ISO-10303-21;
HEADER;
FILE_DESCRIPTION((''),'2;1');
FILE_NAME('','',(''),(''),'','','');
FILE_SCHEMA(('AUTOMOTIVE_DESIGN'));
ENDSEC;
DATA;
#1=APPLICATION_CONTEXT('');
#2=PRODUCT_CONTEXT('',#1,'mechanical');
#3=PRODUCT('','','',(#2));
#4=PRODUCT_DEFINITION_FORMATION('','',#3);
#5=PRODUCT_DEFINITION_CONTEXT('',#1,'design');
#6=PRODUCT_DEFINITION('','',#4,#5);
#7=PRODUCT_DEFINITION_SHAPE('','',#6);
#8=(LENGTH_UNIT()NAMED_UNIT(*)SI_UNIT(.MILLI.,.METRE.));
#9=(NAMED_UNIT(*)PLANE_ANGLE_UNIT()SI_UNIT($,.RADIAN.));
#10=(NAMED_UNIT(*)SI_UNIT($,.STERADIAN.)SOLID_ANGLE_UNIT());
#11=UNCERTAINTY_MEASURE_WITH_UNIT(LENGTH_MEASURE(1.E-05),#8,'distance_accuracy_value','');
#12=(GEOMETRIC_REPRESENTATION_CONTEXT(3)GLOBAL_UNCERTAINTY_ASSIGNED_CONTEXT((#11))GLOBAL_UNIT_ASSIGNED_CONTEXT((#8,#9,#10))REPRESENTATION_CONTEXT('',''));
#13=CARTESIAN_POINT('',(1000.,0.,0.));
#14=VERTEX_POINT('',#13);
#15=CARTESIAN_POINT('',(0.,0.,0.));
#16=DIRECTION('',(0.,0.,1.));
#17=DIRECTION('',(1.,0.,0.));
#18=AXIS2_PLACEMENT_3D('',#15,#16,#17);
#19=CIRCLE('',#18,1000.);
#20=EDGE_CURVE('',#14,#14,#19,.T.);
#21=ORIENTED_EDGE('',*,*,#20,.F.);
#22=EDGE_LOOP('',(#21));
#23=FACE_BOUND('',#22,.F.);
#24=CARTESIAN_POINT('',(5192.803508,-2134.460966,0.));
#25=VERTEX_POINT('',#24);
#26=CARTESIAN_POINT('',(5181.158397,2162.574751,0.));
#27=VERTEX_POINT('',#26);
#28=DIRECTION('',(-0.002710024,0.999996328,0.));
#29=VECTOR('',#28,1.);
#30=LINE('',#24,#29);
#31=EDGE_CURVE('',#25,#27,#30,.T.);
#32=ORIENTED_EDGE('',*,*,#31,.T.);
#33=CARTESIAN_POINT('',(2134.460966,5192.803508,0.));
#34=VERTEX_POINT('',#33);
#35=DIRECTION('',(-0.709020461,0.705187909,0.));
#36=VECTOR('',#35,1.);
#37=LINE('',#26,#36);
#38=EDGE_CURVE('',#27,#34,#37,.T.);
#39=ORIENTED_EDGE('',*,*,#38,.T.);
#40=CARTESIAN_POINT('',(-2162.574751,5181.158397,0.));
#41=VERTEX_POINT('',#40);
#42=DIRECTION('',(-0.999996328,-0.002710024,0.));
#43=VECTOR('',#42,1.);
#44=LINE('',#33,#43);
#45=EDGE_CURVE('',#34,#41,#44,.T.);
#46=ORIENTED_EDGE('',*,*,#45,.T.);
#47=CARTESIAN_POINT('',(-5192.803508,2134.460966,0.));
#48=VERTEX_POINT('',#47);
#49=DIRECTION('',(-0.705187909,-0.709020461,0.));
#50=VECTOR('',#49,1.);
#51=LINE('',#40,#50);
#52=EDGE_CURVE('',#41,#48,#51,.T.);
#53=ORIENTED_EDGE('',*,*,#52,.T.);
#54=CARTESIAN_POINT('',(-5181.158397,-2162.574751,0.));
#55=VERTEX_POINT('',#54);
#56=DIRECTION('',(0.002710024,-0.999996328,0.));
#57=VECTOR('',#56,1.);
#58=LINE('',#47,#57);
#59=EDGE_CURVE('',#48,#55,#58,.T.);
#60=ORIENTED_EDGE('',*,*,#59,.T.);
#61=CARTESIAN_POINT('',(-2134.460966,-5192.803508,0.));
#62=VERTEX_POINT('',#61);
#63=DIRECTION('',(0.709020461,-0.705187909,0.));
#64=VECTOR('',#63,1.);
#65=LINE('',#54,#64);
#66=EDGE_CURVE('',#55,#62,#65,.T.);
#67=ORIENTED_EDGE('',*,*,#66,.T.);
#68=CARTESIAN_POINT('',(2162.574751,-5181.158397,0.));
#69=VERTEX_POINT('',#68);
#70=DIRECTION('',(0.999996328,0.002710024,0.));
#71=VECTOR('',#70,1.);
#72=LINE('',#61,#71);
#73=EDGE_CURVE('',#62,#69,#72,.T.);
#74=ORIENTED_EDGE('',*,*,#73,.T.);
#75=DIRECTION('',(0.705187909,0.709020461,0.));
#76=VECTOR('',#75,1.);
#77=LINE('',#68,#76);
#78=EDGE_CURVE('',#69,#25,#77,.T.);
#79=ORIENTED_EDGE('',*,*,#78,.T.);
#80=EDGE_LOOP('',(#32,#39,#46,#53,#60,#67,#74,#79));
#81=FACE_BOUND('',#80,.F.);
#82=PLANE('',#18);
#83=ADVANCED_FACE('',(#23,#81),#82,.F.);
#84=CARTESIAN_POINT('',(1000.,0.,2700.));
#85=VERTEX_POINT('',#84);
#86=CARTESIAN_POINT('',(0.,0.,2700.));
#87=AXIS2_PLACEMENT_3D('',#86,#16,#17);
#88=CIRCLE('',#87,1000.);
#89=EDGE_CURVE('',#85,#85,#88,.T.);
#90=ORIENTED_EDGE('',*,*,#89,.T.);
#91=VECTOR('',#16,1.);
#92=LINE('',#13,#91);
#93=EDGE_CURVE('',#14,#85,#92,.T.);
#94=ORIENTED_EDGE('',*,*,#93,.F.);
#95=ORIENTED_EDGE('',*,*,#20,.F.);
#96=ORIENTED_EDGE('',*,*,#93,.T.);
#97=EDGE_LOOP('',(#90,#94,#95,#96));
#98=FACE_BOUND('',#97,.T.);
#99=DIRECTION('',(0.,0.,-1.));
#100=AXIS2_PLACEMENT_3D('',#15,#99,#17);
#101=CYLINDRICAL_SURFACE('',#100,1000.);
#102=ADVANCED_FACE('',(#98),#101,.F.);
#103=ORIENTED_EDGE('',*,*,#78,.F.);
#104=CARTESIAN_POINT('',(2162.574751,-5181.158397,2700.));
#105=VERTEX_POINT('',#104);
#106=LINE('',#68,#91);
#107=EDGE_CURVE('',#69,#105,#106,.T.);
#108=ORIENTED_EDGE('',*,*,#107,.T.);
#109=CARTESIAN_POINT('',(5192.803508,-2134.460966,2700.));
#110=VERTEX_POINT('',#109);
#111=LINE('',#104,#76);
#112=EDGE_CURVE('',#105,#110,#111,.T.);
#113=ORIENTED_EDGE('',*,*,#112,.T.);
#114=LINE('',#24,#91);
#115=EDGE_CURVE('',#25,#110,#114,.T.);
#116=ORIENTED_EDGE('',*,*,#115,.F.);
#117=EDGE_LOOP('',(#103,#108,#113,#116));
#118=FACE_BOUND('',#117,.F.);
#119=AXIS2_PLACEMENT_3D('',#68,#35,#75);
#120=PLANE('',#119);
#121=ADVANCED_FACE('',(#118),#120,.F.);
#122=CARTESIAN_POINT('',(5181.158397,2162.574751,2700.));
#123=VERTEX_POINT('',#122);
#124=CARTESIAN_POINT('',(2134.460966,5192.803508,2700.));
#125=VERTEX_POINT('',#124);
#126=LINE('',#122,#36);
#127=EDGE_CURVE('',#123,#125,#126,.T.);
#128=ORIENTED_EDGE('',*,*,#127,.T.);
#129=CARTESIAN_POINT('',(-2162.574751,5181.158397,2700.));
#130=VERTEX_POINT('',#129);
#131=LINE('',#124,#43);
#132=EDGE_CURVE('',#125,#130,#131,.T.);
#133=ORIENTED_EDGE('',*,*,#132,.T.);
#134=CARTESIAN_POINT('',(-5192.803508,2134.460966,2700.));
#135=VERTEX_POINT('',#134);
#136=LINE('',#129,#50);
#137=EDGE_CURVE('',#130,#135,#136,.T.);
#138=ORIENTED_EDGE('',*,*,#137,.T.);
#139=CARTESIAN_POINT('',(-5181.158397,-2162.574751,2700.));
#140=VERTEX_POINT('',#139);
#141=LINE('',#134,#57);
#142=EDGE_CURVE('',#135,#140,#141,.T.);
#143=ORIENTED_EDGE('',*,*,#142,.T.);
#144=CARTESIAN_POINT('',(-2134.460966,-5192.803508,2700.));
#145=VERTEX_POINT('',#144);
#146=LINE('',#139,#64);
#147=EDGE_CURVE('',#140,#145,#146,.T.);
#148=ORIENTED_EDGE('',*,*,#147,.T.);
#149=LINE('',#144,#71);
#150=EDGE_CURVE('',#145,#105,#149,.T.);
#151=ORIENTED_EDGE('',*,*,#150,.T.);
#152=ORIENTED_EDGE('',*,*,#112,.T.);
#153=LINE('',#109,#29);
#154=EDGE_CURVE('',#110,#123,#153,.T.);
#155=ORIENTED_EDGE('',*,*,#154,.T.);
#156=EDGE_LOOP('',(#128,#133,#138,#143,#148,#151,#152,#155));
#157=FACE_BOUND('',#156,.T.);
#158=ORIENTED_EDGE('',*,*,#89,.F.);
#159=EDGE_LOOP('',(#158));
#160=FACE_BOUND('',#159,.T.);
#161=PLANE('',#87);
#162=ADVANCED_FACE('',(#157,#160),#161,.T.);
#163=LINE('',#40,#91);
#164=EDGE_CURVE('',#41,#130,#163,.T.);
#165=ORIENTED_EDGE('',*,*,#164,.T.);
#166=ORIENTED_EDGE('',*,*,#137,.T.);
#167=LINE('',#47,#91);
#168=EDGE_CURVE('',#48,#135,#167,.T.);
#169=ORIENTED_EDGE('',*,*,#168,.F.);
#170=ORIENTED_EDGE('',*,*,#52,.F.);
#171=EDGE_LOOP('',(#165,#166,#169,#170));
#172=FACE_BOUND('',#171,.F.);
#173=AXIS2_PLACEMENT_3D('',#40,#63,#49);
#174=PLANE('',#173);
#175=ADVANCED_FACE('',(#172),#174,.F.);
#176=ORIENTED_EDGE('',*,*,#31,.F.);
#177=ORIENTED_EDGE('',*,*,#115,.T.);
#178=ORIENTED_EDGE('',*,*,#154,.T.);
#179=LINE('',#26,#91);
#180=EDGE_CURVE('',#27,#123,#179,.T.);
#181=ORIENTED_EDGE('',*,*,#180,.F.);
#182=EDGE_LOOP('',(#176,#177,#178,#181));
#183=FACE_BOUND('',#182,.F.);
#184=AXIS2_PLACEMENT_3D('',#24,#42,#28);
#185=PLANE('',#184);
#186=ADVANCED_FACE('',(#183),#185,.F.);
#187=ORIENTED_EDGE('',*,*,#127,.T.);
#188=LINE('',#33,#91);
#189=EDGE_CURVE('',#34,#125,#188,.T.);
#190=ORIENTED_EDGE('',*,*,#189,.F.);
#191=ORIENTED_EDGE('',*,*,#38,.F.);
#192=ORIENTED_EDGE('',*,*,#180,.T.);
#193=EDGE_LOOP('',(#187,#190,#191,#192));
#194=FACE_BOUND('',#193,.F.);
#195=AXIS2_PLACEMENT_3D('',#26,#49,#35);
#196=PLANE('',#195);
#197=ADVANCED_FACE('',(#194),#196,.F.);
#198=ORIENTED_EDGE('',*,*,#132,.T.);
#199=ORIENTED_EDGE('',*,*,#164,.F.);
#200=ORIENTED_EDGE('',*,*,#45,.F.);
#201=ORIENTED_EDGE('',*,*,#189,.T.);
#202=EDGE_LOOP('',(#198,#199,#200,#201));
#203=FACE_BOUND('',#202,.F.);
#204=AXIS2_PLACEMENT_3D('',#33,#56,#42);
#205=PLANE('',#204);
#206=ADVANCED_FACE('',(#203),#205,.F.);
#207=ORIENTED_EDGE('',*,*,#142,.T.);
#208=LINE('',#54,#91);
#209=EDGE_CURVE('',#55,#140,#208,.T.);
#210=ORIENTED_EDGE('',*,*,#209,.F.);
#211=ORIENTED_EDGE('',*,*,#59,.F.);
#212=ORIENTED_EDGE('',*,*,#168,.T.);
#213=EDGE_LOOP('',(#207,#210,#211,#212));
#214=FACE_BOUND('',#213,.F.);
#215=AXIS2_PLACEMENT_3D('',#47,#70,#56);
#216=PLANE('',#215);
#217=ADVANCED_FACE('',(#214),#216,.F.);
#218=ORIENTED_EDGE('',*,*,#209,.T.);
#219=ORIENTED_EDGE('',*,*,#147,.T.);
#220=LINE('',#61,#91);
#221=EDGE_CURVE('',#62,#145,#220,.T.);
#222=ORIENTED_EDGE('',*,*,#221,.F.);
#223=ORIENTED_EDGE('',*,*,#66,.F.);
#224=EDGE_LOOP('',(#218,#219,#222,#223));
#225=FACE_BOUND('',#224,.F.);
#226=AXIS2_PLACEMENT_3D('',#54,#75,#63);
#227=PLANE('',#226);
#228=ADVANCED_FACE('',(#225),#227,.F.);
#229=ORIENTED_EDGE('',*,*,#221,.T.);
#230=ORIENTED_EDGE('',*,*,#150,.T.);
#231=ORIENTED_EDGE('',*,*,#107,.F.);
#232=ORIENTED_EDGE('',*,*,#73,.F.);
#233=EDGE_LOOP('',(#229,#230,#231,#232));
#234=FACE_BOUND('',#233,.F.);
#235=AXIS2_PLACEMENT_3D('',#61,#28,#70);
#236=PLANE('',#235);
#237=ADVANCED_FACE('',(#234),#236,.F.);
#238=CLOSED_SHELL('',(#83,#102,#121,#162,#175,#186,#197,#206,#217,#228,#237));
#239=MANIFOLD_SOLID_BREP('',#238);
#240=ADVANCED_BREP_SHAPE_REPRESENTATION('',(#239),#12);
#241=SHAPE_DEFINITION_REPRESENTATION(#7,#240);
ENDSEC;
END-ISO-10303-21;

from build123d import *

# Parameters (mm, degrees)
F0_R     = 1000
F1_DEPTH = 2700


with BuildPart() as f1:
    # F0 (on Top) → F1 (new body)
    with BuildSketch(Plane.XY):
        Polygon((-5181.158397, -2162.574751), (-2134.460966, -5192.803508), (2162.574751, -5181.158397), (5192.803508, -2134.460966), (5181.158397, 2162.574751), (2134.460966, 5192.803508), (-2162.574751, 5181.158397), (-5192.803508, 2134.460966), align=None)
        Circle(F0_R, mode=Mode.SUBTRACT)
    extrude(amount=F1_DEPTH)


solid = f1.part
